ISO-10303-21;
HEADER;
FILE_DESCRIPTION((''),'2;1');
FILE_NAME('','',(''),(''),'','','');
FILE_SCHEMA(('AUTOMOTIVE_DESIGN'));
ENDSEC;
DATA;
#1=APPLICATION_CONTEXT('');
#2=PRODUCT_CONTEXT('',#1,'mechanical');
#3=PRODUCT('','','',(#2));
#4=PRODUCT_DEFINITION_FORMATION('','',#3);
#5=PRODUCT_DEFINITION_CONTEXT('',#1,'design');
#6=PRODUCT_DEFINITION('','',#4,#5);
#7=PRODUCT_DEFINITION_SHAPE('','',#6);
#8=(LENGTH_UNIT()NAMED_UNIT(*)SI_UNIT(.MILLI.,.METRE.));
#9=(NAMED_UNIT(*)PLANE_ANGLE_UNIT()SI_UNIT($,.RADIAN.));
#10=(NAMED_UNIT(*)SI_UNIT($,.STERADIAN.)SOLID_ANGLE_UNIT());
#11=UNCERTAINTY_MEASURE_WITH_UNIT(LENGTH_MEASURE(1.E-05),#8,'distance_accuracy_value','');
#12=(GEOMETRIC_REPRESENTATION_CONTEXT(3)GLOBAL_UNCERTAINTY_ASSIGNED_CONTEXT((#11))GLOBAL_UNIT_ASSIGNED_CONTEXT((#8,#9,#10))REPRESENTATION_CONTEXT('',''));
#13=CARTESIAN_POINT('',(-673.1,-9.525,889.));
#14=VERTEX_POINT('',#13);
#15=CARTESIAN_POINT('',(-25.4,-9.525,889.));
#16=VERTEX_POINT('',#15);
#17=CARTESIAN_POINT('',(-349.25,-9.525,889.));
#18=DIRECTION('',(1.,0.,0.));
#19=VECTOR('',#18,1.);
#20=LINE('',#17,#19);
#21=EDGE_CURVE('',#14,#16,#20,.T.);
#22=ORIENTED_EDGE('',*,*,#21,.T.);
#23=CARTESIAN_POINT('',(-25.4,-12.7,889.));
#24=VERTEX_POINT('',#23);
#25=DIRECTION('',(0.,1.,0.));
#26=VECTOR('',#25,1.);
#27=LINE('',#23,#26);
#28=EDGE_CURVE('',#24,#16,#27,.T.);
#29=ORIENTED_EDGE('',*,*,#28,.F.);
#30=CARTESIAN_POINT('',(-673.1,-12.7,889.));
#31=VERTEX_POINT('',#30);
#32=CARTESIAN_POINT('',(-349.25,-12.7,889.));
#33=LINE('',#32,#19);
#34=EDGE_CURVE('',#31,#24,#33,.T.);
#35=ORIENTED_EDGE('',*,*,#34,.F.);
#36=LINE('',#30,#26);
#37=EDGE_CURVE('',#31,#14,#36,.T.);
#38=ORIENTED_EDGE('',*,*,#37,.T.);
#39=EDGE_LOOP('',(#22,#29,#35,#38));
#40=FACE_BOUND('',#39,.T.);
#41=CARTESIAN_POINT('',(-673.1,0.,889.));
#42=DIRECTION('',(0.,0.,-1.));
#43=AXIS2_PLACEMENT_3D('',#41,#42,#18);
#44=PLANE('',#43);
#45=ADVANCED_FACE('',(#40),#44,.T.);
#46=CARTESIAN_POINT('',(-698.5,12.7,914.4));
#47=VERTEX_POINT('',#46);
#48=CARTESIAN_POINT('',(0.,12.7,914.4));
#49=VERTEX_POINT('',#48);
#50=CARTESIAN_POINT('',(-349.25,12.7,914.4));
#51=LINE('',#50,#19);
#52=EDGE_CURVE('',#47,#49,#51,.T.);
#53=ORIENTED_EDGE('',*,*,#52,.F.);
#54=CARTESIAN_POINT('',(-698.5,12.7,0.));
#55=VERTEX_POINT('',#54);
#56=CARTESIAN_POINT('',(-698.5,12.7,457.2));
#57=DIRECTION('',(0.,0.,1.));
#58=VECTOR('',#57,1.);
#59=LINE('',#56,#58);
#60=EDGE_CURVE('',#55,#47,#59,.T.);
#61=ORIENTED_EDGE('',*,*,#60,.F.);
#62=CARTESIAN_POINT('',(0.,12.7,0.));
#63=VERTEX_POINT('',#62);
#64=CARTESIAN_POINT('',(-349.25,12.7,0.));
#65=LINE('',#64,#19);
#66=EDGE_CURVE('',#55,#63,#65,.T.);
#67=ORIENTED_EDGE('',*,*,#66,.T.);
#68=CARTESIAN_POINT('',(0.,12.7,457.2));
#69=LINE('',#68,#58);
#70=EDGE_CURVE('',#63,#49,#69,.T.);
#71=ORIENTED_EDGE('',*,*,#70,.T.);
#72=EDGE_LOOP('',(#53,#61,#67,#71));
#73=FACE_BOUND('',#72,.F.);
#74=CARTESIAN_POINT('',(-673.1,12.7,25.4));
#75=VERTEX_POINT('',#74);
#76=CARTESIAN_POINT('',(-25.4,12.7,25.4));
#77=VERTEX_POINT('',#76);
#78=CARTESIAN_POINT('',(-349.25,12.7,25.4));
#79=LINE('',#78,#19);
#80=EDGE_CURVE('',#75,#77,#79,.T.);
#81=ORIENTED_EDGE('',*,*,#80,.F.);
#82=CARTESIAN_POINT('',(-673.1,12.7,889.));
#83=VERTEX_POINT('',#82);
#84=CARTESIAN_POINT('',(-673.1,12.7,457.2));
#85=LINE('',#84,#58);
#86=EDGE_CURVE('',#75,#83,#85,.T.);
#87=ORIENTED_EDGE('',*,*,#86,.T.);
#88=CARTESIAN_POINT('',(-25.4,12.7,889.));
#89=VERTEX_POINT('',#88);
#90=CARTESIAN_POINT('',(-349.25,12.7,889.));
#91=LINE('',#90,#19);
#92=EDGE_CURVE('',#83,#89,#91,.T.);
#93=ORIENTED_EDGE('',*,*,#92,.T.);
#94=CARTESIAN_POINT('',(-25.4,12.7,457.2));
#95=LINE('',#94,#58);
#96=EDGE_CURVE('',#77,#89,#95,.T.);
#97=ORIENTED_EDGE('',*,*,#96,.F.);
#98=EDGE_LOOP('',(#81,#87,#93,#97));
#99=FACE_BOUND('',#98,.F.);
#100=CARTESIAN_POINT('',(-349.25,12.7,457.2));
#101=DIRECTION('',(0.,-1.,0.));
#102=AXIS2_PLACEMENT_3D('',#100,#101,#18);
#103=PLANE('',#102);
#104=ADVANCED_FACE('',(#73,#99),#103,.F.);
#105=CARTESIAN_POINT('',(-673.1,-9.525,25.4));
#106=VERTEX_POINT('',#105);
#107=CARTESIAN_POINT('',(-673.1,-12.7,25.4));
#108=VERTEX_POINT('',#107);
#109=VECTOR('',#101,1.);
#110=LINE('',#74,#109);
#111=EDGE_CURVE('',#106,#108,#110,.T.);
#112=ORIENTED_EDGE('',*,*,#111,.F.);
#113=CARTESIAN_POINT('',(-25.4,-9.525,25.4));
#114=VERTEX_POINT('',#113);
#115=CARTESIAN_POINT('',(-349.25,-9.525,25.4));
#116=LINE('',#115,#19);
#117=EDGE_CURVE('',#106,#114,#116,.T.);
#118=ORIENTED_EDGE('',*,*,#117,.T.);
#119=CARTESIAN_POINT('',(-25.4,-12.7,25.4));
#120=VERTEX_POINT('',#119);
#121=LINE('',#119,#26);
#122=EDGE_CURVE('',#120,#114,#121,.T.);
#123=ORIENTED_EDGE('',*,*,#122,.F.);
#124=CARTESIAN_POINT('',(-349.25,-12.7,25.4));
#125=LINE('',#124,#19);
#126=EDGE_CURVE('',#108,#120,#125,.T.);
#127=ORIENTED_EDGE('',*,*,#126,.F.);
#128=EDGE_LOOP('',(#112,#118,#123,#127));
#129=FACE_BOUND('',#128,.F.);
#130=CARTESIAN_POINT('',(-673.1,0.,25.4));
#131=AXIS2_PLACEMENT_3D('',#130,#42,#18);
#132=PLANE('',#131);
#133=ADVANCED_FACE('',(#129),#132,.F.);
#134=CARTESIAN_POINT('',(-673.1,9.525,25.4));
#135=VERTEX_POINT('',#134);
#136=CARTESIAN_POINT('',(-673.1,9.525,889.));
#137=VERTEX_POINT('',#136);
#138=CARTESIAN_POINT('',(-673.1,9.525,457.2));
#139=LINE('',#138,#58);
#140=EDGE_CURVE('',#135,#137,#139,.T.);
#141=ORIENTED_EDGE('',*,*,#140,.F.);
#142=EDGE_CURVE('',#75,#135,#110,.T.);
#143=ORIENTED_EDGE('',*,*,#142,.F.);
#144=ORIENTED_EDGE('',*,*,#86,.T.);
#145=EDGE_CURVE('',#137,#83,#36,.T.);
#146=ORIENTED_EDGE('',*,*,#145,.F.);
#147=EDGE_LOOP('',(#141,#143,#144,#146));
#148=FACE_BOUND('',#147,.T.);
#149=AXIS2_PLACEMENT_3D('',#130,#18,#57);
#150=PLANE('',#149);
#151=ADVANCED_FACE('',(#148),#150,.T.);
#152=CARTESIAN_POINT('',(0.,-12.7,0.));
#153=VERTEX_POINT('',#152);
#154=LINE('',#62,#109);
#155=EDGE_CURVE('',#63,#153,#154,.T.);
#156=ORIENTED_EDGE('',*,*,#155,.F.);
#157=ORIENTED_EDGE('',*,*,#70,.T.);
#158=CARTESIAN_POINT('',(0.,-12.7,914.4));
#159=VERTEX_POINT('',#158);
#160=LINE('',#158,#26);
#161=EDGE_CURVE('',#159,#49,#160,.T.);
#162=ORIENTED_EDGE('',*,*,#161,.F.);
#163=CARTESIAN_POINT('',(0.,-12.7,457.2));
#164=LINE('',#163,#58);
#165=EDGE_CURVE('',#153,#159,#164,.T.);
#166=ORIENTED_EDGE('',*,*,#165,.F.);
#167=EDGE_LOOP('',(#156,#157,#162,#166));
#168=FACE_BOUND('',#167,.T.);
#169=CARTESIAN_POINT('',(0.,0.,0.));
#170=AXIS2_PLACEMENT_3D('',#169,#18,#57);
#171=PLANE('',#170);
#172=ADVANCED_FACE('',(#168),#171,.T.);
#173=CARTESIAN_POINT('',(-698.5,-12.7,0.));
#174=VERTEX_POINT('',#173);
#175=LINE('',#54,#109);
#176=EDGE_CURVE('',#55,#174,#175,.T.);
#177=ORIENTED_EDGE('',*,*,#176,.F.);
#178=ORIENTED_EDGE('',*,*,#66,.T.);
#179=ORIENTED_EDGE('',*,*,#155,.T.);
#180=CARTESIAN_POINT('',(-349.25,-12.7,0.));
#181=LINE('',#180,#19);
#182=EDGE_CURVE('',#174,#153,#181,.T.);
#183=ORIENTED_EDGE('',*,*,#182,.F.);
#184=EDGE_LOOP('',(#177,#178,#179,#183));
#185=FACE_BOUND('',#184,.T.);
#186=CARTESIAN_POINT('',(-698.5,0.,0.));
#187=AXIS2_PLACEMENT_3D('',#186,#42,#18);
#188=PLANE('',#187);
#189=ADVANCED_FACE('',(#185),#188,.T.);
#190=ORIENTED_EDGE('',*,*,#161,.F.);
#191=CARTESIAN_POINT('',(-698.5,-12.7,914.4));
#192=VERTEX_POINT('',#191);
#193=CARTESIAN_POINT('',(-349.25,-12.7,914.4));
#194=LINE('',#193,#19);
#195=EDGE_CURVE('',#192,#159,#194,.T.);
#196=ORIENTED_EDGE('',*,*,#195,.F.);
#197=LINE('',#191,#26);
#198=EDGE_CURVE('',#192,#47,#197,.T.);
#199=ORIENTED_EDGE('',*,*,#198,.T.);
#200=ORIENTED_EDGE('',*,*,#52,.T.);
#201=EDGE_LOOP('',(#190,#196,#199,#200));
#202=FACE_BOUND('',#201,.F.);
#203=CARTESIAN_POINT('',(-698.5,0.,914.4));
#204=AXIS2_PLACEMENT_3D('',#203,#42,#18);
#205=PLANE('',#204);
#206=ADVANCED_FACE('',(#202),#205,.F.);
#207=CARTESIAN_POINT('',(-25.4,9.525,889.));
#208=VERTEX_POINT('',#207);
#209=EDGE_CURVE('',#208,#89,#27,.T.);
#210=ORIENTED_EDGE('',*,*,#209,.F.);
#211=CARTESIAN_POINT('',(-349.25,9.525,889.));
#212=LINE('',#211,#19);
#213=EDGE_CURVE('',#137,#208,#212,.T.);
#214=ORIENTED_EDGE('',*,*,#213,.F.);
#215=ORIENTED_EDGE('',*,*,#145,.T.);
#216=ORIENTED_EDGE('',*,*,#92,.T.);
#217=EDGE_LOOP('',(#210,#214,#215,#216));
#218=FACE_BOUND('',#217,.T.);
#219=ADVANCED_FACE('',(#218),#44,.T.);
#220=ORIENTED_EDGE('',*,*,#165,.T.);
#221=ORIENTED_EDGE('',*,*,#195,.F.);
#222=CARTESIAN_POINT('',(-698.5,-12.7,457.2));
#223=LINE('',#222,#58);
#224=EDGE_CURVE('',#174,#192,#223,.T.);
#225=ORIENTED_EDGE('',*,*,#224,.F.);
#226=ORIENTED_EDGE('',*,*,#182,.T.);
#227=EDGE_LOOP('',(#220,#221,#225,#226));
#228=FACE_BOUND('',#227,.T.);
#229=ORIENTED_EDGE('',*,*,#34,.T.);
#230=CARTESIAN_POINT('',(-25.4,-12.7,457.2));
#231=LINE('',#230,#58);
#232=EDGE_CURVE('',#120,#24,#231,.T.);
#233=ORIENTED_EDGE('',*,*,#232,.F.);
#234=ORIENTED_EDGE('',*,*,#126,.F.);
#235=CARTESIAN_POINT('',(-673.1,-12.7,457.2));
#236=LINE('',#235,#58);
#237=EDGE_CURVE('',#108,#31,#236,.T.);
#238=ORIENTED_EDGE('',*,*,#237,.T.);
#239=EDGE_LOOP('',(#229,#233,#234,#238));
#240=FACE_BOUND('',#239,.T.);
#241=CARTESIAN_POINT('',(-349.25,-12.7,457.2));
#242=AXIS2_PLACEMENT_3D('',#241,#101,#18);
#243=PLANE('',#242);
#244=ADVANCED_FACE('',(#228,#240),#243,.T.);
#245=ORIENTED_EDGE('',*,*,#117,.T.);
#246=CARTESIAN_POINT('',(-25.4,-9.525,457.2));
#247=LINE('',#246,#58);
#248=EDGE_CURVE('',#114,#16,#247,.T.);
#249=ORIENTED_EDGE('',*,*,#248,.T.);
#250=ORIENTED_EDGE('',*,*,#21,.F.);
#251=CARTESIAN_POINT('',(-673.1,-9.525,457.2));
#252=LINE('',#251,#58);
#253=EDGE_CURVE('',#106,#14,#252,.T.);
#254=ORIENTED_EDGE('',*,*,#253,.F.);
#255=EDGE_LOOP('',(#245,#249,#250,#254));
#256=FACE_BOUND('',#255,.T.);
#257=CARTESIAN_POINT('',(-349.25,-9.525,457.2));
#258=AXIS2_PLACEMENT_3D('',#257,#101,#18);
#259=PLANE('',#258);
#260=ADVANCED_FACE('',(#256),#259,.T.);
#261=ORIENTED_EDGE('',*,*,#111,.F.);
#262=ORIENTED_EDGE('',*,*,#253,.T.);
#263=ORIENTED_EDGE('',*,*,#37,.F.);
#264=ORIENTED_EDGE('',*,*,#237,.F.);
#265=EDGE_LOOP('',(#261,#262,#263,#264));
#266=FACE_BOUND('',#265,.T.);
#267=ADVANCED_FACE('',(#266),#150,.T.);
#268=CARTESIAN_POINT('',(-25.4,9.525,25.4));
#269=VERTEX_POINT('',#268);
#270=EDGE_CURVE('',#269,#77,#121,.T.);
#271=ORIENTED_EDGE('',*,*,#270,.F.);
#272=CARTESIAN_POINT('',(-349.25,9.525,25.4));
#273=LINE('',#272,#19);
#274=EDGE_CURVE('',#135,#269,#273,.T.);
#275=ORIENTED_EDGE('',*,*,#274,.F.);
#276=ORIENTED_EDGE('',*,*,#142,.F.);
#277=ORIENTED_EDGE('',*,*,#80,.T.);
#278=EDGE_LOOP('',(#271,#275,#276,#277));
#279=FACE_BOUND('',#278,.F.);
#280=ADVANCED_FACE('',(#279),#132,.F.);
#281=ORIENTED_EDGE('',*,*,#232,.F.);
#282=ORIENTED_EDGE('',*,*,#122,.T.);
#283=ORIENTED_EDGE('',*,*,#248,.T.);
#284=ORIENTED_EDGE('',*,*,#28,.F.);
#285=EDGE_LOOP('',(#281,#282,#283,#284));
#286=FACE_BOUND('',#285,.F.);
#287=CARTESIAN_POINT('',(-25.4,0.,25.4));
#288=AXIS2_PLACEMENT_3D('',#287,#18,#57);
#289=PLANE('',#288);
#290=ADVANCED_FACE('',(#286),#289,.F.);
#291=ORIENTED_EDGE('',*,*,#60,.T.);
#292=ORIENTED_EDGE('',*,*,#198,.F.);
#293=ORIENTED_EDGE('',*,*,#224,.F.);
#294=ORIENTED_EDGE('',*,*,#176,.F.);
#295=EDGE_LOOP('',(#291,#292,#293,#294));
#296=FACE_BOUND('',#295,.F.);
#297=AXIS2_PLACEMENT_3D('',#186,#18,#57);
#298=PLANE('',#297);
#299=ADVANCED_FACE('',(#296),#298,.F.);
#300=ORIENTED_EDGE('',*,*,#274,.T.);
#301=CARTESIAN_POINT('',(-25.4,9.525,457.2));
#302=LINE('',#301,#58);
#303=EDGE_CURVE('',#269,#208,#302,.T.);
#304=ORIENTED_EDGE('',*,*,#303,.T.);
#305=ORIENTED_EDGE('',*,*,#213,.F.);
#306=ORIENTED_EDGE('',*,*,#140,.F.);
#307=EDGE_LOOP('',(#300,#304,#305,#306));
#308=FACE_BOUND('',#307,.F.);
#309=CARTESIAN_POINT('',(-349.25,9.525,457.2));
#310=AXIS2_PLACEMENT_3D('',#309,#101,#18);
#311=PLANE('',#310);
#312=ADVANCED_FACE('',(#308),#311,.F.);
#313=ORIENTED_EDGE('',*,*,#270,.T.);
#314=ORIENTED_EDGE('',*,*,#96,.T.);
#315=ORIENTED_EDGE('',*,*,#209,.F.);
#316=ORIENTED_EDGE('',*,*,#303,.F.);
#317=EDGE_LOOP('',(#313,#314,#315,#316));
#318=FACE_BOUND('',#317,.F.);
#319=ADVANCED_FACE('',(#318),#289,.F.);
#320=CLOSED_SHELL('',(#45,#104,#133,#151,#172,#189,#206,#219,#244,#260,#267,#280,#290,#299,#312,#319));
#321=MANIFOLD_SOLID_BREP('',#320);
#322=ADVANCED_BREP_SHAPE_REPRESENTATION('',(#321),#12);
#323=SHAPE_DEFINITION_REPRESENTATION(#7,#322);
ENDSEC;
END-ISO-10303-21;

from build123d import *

# Parameters (mm, degrees)
F0_W     = 698.5
F0_H     = 914.4
F0_W_2   = 647.7
F0_H_2   = 863.6
F1_DEPTH = 12.7
F2_DEPTH = 9.525


with BuildPart() as f1:
    # F0 (on Front) → F1 (new body, symmetric)
    with BuildSketch(Plane.XZ):
        with Locations((-349.25, 457.2)):
            Rectangle(F0_W, F0_H)
        with Locations((-349.25, 457.2)):
            Rectangle(F0_W_2, F0_H_2, mode=Mode.SUBTRACT)
    extrude(amount=F1_DEPTH, both=True)

    # F0 (on Front) → F2 (join, symmetric)
    with BuildSketch(Plane.XZ):
        with Locations((-349.25, 457.2)):
            Rectangle(F0_W_2, F0_H_2)
    extrude(amount=F2_DEPTH, both=True)


solid = f1.part
